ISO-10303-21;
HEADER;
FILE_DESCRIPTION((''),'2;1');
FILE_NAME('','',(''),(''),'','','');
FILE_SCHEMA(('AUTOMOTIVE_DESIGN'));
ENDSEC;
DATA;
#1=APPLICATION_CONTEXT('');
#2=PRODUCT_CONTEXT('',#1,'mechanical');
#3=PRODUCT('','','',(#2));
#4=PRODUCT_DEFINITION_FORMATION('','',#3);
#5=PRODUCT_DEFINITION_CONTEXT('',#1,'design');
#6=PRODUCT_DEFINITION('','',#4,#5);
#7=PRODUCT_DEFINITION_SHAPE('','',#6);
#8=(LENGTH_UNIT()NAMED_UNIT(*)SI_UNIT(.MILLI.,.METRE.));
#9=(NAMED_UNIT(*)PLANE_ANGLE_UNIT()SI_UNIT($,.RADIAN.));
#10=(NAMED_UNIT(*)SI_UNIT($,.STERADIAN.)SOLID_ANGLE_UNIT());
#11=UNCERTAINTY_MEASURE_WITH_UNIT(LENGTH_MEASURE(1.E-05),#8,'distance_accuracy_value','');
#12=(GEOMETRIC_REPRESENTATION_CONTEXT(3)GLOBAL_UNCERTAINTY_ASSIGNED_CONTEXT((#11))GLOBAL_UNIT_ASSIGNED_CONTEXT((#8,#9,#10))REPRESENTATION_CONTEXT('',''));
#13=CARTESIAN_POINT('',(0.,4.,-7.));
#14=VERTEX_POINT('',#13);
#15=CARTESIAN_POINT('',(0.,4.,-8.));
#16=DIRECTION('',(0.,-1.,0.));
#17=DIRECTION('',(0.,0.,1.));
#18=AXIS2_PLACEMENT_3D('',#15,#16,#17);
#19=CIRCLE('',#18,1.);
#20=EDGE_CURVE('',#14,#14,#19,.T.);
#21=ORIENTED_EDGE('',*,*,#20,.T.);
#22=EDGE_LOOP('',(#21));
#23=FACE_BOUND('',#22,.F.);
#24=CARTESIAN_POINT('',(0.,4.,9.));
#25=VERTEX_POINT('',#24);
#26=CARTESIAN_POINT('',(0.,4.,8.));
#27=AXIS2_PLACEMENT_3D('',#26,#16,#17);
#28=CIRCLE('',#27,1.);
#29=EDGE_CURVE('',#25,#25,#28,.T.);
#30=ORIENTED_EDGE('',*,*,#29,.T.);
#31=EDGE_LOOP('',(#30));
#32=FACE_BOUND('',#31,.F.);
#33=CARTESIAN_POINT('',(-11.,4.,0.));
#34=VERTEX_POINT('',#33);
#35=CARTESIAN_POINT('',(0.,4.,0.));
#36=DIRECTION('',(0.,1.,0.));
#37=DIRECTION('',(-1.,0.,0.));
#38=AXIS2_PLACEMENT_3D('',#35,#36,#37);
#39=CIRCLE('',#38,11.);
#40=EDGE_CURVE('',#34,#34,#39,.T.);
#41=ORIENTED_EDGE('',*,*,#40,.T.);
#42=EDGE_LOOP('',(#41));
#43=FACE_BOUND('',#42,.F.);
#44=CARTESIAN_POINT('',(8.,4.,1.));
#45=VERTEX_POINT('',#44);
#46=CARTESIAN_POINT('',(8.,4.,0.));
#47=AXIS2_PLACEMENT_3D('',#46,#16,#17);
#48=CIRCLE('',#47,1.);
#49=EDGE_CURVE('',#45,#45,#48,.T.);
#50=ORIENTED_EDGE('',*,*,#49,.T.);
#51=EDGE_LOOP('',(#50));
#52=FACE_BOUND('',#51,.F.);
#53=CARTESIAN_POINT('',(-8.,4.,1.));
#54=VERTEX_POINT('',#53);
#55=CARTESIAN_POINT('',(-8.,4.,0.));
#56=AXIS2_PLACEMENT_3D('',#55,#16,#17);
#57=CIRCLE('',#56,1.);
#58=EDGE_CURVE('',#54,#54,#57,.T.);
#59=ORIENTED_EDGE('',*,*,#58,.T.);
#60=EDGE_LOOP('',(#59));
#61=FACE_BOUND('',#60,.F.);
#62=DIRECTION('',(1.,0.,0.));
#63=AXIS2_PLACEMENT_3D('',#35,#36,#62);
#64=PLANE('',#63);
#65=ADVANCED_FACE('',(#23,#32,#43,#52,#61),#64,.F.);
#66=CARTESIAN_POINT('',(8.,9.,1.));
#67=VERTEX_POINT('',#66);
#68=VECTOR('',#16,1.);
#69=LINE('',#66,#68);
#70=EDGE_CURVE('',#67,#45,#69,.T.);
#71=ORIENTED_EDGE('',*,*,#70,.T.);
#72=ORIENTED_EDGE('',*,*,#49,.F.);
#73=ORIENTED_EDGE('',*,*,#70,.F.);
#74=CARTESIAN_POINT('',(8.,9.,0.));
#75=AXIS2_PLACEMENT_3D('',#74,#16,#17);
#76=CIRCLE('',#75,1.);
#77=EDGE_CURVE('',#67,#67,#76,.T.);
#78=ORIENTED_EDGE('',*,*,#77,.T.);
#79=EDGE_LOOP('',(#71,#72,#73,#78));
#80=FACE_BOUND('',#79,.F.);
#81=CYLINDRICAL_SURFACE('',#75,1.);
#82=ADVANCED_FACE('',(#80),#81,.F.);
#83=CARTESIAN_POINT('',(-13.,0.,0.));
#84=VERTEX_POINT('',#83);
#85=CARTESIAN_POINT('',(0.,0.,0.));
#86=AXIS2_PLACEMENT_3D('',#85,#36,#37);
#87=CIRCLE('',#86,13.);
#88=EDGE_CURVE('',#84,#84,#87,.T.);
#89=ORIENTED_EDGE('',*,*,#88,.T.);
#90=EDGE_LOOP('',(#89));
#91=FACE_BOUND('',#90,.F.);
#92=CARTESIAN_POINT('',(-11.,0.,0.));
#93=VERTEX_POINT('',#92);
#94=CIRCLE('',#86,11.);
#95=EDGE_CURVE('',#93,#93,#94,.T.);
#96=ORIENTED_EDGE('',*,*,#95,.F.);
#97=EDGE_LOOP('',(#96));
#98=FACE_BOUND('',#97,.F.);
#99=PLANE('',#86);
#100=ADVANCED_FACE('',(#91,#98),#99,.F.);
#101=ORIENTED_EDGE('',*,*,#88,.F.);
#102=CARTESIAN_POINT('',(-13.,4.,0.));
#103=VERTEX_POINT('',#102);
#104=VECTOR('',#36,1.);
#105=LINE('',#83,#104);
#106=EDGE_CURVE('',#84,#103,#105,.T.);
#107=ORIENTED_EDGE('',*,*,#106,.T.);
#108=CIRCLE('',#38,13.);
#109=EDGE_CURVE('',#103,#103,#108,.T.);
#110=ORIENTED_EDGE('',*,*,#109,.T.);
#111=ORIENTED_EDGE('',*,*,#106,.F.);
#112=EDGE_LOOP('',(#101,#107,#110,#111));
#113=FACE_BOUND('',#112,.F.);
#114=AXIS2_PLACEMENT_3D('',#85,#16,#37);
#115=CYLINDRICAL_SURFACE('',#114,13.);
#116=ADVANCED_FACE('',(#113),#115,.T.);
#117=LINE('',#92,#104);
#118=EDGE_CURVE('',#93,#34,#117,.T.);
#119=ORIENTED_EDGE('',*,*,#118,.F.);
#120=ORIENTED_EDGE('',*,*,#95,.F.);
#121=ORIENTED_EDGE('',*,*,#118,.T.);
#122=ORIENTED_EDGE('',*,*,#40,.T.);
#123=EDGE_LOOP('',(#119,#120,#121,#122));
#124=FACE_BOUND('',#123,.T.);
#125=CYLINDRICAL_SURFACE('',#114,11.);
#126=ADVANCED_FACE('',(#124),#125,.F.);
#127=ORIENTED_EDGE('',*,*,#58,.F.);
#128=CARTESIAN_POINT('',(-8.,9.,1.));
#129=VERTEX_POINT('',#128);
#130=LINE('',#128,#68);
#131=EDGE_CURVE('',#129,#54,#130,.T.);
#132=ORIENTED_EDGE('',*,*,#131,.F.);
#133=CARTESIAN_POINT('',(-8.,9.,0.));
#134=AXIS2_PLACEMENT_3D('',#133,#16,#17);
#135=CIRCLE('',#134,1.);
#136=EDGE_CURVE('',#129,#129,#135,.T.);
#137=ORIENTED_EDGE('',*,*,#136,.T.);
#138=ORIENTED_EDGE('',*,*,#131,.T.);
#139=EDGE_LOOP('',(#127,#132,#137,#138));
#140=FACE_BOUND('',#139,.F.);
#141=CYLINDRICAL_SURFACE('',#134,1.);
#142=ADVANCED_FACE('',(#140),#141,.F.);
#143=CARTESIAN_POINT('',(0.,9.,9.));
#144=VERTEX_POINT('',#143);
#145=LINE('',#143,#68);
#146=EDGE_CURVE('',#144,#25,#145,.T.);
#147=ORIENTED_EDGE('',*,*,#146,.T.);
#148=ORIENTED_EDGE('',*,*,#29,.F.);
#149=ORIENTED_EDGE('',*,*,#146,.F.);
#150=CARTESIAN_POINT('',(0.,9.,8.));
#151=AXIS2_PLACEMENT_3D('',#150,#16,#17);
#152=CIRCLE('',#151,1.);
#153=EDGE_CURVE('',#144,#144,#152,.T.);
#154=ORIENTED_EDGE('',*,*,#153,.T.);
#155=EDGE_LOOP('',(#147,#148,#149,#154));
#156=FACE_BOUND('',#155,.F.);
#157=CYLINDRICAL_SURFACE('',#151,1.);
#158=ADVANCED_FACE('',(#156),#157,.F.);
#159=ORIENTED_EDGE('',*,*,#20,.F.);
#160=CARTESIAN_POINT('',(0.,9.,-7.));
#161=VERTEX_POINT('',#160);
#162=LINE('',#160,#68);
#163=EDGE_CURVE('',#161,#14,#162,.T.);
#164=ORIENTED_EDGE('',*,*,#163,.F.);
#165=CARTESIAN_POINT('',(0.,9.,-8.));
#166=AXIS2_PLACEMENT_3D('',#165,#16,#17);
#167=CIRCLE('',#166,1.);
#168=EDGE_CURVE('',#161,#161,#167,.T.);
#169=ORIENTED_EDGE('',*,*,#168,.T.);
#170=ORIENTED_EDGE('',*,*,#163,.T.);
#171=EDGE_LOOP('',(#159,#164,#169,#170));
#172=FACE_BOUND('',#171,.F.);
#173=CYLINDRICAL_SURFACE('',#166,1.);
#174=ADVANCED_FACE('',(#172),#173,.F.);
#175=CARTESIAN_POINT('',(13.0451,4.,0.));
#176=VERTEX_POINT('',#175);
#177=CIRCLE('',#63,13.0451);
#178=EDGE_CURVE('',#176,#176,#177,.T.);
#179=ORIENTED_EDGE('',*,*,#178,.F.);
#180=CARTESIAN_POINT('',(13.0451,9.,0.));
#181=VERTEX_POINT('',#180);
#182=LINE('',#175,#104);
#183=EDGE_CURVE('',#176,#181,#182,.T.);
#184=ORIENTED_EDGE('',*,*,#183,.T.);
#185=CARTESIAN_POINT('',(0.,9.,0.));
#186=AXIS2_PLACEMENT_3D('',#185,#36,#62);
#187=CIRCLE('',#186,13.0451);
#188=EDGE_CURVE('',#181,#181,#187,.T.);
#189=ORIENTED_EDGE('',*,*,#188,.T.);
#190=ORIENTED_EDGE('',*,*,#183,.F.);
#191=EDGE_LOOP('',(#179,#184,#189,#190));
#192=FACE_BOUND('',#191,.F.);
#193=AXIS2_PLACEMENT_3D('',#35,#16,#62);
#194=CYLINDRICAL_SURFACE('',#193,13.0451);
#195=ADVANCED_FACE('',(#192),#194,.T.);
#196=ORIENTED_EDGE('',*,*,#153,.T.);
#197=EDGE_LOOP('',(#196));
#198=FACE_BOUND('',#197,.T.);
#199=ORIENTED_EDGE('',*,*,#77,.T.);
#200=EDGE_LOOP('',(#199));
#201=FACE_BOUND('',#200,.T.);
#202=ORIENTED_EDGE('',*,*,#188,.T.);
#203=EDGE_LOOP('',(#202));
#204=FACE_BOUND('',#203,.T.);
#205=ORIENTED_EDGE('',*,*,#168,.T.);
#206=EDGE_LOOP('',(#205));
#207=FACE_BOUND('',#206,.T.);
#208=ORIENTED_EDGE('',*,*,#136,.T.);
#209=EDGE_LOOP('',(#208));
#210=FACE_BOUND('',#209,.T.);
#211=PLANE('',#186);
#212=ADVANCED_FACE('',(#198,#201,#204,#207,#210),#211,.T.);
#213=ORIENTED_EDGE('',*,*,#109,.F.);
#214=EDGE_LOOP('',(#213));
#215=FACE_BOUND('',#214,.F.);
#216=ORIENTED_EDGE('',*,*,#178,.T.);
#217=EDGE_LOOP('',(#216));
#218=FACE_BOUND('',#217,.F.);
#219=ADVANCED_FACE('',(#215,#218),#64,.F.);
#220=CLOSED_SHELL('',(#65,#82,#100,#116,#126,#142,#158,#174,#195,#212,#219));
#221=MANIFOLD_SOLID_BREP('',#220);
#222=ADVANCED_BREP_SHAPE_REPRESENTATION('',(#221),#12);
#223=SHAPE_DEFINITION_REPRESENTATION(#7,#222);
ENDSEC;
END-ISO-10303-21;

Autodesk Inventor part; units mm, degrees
ref_plane "YZ Plane" through (0, 0, 0) normal (1, 0, 0) x (0, 1, 0)
ref_plane "XZ Plane" through (0, 0, 0) normal (0, 1, 0) x (-1, 0, 0)
ref_plane "XY Plane" through (0, 0, 0) normal (0, 0, 1) x (1, 0, 0)
sketch "Sketch1" plane through (0, 0, 0) normal (0, 1, 0) x (-1, 0, 0)
  circle A0 centre (0, 0) radius 11
  circle A1 centre (0, 0) radius 13
  dimension "d0" = 22
  dimension "d1" = 26
extrude "Extrusion1" add sketch "Sketch1" along normal blind 4
sketch "Sketch2" plane through (0, 4, 0) normal (0, 1, 0) x (1, 0, 0)
  circle A0 centre (0, 0) radius 13.0451
extrude "Extrusion2" add sketch "Sketch2" along normal blind 5
sketch "Sketch3" plane through (0, 9, 0) normal (0, 1, 0) x (1, 0, 0)
  circle A0 centre (0, 0) radius 8
  point P0 (-8, 0)
  point P1 (0, 8)
  point P2 (8, 0)
  point P3 (0, -8)
  dimension "d6" = 16
hole "Hole1" at (-8, 9, 0) at (0, 9, -8) at (8, 9, 0) at (0, 9, 8) direction (0, -1, 0) diameter 2 end through all
properties part number "General Mount"
